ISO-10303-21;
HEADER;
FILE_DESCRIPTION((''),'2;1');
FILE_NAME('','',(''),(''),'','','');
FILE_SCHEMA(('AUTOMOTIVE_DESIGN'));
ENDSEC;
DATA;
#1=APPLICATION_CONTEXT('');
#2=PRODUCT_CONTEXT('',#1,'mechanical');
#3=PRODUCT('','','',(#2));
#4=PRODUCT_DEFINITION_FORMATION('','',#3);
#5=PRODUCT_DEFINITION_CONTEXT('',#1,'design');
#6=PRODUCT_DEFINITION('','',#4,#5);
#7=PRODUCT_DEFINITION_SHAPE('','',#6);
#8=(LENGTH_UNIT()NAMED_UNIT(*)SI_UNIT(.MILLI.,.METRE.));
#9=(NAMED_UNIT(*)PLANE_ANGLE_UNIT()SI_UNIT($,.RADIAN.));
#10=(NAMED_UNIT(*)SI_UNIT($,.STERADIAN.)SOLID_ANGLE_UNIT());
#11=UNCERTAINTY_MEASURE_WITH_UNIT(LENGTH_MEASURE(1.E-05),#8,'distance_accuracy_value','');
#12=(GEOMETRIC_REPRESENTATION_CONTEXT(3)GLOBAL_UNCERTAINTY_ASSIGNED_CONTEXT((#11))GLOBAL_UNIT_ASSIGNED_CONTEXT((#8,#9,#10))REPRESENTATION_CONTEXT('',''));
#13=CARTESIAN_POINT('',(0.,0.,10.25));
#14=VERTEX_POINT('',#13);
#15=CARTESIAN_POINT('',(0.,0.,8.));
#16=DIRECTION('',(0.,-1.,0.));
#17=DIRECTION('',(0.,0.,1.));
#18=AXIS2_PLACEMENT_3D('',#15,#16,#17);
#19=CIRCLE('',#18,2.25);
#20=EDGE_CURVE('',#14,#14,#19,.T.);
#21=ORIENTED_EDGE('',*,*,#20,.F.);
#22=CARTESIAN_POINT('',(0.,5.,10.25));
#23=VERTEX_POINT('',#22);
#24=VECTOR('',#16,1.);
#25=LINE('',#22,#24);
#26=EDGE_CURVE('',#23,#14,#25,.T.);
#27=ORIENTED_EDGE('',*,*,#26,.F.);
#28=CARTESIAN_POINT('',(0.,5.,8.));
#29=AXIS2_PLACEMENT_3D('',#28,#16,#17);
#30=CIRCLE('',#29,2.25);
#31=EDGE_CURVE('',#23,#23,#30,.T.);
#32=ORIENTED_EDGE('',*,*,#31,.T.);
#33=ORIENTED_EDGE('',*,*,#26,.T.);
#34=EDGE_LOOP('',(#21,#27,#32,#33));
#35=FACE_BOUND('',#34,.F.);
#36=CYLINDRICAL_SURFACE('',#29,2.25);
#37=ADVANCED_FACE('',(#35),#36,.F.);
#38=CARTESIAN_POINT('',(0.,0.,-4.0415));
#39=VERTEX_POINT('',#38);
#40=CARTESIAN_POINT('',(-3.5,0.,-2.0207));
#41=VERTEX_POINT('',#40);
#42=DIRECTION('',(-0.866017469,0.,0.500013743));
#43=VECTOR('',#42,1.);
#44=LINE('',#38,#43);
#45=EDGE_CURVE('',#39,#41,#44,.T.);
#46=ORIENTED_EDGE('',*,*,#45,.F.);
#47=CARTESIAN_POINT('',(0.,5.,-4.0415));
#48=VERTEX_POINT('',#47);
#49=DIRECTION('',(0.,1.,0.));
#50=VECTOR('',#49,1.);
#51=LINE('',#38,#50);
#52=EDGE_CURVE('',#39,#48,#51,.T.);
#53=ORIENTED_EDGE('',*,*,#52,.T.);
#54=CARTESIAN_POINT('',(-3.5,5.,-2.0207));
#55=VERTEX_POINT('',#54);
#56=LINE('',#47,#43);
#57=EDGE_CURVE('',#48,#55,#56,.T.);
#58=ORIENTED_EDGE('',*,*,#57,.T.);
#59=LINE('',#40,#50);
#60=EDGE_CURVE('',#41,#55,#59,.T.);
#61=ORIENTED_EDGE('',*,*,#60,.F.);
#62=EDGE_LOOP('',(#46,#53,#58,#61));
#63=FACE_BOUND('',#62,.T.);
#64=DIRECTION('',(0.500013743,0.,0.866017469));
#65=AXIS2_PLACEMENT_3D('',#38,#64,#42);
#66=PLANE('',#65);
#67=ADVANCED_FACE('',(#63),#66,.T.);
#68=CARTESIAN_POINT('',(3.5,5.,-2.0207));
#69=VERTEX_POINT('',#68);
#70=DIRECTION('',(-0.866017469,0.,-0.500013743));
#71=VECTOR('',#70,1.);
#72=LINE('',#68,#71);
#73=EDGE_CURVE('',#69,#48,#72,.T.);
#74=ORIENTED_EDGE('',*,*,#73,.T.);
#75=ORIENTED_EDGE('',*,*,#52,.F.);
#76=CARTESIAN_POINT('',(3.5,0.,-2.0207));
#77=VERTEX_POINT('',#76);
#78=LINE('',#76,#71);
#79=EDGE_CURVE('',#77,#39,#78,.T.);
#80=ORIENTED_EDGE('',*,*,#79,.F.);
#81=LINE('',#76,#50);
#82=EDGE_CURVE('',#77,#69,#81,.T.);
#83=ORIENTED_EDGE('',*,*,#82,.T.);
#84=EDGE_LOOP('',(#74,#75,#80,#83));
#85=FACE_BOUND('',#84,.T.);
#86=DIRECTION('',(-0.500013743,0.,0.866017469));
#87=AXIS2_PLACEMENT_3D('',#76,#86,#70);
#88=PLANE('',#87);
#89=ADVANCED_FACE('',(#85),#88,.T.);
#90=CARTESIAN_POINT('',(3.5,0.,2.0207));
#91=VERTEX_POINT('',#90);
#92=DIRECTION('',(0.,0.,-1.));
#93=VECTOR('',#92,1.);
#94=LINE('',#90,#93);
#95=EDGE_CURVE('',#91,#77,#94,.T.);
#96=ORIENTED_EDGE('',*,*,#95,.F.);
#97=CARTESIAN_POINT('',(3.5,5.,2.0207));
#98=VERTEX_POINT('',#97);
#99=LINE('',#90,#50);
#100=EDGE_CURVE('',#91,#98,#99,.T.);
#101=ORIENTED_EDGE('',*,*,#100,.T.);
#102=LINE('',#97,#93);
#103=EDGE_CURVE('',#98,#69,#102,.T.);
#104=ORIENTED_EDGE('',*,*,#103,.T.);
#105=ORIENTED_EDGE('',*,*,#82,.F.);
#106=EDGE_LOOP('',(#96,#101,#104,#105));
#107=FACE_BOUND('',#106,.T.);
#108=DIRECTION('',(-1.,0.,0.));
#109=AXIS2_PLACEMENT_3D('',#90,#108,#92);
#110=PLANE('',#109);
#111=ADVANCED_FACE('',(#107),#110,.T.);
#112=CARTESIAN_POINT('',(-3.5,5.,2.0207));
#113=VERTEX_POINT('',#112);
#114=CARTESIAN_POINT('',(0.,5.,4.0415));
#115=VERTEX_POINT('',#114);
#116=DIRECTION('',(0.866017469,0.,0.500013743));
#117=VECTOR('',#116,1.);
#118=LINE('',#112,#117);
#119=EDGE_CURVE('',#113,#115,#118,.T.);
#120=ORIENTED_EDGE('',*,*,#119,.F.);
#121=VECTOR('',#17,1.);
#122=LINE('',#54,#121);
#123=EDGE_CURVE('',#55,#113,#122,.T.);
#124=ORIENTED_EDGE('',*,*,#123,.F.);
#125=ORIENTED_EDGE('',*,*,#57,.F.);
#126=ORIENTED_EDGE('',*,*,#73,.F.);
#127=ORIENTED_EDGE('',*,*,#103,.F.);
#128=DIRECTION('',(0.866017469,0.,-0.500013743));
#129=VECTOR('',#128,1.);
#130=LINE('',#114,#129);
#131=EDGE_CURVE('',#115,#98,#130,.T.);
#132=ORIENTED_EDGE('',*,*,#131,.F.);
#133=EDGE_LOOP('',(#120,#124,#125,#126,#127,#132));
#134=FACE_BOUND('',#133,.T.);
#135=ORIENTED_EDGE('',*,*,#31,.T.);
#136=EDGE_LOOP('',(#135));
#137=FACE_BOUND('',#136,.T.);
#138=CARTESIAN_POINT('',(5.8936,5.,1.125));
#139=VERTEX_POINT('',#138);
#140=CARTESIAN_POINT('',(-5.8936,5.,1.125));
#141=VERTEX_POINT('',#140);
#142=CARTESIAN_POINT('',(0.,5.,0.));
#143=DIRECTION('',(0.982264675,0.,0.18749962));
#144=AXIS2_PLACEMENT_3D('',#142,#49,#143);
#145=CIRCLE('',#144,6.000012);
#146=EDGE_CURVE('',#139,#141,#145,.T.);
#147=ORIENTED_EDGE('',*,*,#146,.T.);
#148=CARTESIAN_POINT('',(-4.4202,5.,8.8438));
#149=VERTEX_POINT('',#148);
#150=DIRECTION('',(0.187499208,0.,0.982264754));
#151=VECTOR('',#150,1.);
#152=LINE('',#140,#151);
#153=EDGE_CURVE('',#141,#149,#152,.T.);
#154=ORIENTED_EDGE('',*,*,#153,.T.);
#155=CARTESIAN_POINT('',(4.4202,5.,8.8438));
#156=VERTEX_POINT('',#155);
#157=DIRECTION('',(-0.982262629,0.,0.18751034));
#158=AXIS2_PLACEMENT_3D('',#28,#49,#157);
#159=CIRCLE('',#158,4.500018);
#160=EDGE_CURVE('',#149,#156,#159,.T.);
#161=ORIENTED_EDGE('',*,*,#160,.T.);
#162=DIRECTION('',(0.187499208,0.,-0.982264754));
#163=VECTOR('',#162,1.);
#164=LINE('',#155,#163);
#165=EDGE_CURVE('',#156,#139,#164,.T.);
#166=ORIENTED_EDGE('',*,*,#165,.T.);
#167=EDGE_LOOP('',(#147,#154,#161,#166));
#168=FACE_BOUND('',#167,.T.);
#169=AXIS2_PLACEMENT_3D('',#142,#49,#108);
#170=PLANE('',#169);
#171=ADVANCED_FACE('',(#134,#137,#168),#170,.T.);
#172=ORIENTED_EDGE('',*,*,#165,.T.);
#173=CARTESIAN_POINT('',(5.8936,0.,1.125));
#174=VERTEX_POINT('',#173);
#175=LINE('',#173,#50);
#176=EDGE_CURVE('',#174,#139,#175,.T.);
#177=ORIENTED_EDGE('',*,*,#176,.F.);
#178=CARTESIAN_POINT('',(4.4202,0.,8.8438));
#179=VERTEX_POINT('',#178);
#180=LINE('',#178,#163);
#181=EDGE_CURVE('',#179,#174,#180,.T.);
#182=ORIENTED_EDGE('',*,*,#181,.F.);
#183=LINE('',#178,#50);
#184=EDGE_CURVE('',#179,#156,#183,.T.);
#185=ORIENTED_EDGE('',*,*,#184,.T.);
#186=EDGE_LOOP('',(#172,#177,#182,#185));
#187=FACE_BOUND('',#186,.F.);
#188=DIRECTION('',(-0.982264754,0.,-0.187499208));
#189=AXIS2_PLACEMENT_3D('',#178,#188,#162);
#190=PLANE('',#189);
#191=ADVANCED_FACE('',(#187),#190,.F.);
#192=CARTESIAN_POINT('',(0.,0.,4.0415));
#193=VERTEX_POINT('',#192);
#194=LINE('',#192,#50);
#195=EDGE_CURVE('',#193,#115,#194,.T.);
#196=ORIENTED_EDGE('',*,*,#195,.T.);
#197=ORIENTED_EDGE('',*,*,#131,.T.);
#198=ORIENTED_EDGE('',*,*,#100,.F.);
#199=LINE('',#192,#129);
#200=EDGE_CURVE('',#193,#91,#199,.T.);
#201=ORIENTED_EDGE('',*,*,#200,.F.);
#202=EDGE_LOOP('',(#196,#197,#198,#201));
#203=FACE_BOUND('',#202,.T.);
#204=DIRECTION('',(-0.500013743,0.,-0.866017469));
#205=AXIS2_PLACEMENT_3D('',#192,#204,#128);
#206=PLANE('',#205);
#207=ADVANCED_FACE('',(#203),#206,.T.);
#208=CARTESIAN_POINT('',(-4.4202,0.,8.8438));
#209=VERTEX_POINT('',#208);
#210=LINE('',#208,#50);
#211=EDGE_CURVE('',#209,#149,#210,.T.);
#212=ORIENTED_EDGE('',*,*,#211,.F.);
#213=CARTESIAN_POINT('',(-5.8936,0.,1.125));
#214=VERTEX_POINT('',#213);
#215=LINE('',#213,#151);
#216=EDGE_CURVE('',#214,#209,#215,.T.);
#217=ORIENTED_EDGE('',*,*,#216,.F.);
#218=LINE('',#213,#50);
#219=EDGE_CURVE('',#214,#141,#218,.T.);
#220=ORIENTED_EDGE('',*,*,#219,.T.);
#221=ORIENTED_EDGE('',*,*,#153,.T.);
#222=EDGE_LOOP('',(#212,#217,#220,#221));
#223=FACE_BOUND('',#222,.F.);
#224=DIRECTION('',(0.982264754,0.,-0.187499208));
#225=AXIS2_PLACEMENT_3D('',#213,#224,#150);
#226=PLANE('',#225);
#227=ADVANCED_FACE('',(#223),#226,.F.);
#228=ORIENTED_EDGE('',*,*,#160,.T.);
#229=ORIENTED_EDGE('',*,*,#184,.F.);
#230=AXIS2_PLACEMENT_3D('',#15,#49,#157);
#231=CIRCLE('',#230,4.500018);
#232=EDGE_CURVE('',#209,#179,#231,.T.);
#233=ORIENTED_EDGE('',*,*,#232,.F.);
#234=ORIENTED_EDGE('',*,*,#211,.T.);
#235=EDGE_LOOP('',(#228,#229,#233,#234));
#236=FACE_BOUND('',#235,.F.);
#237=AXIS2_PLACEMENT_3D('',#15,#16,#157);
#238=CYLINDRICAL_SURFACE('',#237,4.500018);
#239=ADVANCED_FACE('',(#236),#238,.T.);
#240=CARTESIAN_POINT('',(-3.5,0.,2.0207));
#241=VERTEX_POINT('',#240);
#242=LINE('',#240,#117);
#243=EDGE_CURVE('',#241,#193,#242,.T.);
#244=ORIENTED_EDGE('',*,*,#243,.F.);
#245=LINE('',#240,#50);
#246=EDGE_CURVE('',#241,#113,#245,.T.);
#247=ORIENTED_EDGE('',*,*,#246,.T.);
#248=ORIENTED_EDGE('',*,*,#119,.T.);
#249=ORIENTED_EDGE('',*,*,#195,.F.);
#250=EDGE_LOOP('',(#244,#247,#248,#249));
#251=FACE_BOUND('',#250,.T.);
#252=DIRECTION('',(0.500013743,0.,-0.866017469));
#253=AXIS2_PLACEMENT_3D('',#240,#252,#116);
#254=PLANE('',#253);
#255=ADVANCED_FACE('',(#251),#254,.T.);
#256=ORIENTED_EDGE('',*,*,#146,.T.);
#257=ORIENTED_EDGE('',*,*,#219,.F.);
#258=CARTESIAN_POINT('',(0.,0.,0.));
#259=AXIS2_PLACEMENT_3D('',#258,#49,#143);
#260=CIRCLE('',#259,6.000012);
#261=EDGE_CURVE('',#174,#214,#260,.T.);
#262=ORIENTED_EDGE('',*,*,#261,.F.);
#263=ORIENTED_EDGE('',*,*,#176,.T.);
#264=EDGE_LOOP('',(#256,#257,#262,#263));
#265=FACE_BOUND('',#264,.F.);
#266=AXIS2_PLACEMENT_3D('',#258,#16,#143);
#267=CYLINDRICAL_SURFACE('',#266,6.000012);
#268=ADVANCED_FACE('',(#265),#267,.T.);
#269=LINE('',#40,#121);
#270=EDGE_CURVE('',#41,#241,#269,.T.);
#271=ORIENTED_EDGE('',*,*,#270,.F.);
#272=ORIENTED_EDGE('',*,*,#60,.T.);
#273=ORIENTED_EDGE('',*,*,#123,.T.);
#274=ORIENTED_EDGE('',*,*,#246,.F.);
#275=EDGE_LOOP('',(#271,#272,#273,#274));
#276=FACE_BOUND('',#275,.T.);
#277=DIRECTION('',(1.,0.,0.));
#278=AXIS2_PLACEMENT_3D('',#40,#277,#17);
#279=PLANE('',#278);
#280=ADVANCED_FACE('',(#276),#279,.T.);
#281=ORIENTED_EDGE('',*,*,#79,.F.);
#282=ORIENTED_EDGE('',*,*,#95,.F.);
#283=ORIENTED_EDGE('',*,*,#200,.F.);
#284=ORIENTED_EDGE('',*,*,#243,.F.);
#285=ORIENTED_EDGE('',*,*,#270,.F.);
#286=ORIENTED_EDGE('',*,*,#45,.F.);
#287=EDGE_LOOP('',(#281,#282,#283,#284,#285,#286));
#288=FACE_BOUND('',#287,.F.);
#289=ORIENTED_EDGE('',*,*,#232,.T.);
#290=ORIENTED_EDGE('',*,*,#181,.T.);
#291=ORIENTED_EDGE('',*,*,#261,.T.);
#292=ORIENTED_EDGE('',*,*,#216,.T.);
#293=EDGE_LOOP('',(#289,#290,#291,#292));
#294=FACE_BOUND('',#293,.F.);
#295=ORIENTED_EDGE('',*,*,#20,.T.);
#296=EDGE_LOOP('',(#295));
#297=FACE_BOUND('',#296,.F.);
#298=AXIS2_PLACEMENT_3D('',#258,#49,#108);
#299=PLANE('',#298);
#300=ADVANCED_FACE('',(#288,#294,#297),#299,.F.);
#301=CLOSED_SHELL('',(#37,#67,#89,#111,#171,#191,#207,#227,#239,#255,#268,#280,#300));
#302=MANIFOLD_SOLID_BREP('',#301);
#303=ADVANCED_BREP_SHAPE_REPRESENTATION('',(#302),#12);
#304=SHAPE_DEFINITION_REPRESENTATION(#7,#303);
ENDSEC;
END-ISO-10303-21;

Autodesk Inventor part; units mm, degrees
ref_plane "YZ Plane" through (0, 0, 0) normal (1, 0, 0) x (0, 1, 0)
ref_plane "XZ Plane" through (0, 0, 0) normal (0, 1, 0) x (-1, 0, 0)
ref_plane "XY Plane" through (0, 0, 0) normal (0, 0, 1) x (1, 0, 0)
sketch "Sketch1" plane through (0, 0, 0) normal (0, 1, 0) x (-1, 0, 0)
  line L0 (3.5, 2.0207) -> (0, 4.0415)
  line L1 (0, 4.0415) -> (-3.5, 2.0207)
  line L2 (-3.5, 2.0207) -> (-3.5, -2.0207)
  line L3 (-3.5, -2.0207) -> (0, -4.0415)
  line L4 (-4.4202, 8.8438) -> (-5.8936, 1.125)
  arc A0 (4.4202, 8.8438) -> (-4.4202, 8.8438) centre (0, 8) ccw
  line L5 (5.8936, 1.125) -> (4.4202, 8.8438)
  line L6 (0, -4.0415) -> (3.5, -2.0207)
  arc A1 (-5.8936, 1.125) -> (5.8936, 1.125) centre (0, 0) ccw
  line L7 (3.5, -2.0207) -> (3.5, 2.0207)
extrude "Extrusion1" add sketch "Sketch1" along normal blind 5
sketch "Sketch2" plane through (0, 5, 0) normal (0, 1, 0) x (1, 0, 0)
  point P0 (0, -8)
hole "Hole1" at (0, 5, 8) direction (0, -1, 0) diameter 4.5 depth 5
properties part number "Piston Nut trap" material "ASA Plastic"
